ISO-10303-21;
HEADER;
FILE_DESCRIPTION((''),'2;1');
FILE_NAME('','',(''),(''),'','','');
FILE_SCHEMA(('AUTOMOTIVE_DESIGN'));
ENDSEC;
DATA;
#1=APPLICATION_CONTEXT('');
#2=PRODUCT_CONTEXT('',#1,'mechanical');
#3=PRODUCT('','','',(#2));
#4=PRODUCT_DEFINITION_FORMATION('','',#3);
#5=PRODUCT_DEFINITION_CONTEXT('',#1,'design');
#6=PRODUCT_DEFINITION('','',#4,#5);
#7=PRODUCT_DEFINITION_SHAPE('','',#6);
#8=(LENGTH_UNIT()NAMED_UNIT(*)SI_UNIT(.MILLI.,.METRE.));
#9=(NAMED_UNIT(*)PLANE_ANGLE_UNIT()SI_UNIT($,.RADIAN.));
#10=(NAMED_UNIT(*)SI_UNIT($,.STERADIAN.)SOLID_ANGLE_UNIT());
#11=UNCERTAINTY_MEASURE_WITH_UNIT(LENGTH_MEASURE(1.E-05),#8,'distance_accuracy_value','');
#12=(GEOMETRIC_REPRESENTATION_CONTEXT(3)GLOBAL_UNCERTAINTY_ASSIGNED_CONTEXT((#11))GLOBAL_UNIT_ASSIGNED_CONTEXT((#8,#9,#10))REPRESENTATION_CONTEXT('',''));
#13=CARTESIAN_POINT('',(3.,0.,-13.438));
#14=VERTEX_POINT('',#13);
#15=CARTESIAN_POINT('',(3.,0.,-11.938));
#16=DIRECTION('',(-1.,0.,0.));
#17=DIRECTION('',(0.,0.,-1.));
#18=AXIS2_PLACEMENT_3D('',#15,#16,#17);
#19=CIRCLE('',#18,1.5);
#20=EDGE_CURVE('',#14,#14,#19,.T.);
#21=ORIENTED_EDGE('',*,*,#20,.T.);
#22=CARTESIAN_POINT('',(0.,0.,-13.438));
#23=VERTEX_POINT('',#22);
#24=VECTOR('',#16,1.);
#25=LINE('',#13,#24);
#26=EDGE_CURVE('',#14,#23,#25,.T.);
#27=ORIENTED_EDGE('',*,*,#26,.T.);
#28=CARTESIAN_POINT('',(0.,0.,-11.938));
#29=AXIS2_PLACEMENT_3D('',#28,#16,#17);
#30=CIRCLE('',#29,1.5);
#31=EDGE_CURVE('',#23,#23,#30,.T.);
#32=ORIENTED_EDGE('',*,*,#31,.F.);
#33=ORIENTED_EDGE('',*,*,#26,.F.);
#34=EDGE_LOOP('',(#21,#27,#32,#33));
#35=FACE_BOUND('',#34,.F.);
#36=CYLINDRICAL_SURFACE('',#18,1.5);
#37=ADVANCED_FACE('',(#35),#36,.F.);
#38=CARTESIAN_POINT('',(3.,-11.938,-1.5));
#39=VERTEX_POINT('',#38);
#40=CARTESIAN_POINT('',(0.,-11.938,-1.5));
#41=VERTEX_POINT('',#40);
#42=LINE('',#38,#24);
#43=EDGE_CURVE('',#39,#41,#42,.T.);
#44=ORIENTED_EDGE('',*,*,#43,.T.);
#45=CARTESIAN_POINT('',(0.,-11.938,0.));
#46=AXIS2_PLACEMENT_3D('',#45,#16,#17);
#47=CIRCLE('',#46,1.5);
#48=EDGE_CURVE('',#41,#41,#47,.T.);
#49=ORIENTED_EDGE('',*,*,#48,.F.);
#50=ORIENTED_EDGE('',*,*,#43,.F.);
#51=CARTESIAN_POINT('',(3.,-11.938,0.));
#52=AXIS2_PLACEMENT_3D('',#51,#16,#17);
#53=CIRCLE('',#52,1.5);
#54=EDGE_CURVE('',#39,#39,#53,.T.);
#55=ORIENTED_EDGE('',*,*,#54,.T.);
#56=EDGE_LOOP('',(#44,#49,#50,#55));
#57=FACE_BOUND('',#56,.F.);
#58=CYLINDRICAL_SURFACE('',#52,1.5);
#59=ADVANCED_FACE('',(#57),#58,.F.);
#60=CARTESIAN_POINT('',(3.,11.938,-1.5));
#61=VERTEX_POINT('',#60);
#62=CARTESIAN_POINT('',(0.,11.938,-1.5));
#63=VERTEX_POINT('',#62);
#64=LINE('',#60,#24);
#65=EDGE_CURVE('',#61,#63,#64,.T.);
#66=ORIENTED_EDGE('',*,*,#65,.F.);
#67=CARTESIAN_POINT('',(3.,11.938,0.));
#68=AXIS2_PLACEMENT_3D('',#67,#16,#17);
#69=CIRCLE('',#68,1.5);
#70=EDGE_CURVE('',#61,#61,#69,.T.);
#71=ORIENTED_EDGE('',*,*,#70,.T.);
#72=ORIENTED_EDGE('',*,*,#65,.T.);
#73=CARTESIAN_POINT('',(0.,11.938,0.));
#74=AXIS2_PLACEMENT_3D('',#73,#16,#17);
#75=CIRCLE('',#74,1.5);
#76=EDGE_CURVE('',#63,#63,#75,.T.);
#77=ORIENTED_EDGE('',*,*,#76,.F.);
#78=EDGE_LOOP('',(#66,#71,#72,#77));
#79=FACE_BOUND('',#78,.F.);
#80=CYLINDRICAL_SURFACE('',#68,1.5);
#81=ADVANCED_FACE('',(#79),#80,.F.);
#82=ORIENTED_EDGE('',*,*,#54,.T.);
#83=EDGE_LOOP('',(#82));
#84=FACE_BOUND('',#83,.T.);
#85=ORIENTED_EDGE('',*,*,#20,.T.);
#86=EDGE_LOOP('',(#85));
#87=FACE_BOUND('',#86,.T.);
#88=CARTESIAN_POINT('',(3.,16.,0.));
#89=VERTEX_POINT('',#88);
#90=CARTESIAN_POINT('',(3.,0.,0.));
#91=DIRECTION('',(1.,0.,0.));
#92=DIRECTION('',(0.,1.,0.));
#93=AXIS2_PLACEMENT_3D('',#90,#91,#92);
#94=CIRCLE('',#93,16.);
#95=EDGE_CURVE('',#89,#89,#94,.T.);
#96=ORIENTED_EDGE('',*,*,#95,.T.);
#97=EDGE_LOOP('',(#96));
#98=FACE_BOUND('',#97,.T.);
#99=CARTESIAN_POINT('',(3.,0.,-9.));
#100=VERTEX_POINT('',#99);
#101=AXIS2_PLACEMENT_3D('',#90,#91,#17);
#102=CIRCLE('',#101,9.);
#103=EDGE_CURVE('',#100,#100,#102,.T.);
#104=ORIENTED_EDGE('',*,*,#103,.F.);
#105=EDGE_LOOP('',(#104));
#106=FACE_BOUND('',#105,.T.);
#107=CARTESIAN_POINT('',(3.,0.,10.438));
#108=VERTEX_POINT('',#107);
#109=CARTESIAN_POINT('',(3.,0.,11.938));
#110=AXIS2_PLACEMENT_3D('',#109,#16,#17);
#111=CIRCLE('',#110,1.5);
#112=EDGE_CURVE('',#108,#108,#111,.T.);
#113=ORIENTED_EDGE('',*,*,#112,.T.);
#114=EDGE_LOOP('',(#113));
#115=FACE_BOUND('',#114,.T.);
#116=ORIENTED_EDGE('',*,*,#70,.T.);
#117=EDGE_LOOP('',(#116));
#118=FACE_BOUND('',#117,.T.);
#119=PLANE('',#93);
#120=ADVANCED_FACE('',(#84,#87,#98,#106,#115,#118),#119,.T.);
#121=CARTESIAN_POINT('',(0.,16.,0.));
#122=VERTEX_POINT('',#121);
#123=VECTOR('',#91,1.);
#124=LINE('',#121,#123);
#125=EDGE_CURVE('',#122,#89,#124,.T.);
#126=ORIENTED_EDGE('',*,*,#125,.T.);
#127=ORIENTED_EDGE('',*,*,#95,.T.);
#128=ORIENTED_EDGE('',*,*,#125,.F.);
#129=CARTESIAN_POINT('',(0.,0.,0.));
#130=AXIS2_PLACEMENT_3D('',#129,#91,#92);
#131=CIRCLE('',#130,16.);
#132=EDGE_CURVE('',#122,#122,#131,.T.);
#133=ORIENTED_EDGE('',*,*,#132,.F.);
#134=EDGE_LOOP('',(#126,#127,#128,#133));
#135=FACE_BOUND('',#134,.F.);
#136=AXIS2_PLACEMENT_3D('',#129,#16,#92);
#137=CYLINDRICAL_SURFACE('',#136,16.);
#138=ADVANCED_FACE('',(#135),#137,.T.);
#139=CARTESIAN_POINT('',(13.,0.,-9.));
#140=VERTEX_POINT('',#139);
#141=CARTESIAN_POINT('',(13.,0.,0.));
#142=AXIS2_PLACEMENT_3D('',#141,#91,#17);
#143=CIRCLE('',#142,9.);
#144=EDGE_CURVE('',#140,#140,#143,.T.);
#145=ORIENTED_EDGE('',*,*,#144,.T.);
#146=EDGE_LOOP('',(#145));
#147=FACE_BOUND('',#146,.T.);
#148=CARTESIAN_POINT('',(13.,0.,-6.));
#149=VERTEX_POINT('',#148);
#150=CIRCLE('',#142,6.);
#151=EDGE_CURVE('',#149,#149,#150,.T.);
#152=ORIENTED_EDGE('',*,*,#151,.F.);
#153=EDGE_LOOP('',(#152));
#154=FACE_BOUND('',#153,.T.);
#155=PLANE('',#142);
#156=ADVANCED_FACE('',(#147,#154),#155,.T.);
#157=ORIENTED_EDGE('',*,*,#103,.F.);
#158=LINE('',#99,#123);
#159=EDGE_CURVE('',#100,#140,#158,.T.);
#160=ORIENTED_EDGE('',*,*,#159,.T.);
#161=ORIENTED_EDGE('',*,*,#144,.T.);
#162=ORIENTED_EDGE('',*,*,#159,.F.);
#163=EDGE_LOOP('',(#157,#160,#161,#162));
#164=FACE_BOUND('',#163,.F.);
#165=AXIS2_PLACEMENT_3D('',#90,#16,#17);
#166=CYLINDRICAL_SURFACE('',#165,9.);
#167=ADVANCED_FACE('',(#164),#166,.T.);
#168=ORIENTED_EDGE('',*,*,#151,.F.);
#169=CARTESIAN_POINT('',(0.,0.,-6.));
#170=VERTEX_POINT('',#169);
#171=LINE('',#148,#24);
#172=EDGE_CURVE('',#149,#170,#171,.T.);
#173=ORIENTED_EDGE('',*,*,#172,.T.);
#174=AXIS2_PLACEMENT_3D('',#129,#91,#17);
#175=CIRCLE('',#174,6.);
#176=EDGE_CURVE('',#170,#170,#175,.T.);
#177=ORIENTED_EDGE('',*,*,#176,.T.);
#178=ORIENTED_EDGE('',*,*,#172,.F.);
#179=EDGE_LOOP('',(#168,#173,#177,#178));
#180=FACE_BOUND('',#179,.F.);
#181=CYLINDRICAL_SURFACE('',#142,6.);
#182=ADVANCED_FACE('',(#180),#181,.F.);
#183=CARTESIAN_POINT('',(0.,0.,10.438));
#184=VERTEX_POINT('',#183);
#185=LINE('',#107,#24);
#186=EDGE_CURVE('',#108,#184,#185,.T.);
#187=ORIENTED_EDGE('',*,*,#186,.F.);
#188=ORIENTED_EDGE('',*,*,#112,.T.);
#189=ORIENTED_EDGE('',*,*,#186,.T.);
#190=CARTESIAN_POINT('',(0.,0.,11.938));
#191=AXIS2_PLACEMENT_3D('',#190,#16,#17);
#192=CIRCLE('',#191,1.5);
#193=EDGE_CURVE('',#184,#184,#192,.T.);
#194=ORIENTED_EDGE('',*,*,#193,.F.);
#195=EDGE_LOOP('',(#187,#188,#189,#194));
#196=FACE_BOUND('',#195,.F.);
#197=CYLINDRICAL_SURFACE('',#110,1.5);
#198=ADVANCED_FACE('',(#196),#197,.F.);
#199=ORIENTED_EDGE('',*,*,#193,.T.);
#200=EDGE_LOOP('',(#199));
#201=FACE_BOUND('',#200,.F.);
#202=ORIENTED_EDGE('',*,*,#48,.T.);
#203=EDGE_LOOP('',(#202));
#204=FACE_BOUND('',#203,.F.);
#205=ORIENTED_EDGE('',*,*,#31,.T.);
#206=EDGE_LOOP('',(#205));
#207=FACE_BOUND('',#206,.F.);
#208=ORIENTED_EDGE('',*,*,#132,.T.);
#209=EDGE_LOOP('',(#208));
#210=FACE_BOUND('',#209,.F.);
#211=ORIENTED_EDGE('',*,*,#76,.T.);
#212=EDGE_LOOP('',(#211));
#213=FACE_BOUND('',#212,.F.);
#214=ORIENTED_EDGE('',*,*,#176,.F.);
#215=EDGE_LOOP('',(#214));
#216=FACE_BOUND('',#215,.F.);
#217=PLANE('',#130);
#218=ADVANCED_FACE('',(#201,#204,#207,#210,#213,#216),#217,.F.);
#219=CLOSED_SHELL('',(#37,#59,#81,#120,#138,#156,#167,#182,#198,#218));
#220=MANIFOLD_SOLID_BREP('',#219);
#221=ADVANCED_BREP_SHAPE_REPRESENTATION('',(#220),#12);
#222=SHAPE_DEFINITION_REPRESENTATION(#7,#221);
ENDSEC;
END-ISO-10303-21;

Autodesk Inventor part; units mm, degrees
ref_plane "YZ Plane" through (0, 0, 0) normal (1, 0, 0) x (0, 1, 0)
ref_plane "XZ Plane" through (0, 0, 0) normal (0, 1, 0) x (-1, 0, 0)
ref_plane "XY Plane" through (0, 0, 0) normal (0, 0, 1) x (1, 0, 0)
sketch "Sketch1" plane through (0, 0, 0) normal (1, 0, 0) x (0, 1, 0)
  circle A0 centre (0, 0) radius 16
  dimension "d0" = 32
extrude "Extrusion1" add sketch "Sketch1" along normal blind 3
sketch "Sketch2" plane through (3, 0, 0) normal (1, 0, 0) x (0, 0, -1)
  circle A0 centre (0, 0) radius 9
  dimension "d3" = 18
extrude "Extrusion2" add sketch "Sketch2" along normal blind 10
sketch "Sketch3" plane through (13, 0, 0) normal (1, 0, 0) x (0, 0, -1)
  circle A0 centre (0, 0) radius 6
  dimension "d6" = 12
extrude "Extrusion3" cut sketch "Sketch3" against normal through all
sketch "Sketch4" plane through (3, 0, 0) normal (1, 0, 0) x (0, 0, -1)
  circle A0 centre (0, 0) radius 9 projected
  circle A1 centre (0, 0) radius 16 projected
  point P0 (0, 11.938)
  point P1 (-11.938, 0)
  point P2 (0, -11.938)
  point P3 (11.938, 0)
  dimension "d9" = 11.938
  dimension "d10" = 32
  dimension "d11" = 18
  dimension "d14" = 360
hole "Hole1" at (3, 11.938, 0) at (3, 0, 11.938) at (3, -11.938, 0) at (3, 0, -11.938) direction (-1, 0, 0) diameter 3 end through all
properties part number "Flange"
